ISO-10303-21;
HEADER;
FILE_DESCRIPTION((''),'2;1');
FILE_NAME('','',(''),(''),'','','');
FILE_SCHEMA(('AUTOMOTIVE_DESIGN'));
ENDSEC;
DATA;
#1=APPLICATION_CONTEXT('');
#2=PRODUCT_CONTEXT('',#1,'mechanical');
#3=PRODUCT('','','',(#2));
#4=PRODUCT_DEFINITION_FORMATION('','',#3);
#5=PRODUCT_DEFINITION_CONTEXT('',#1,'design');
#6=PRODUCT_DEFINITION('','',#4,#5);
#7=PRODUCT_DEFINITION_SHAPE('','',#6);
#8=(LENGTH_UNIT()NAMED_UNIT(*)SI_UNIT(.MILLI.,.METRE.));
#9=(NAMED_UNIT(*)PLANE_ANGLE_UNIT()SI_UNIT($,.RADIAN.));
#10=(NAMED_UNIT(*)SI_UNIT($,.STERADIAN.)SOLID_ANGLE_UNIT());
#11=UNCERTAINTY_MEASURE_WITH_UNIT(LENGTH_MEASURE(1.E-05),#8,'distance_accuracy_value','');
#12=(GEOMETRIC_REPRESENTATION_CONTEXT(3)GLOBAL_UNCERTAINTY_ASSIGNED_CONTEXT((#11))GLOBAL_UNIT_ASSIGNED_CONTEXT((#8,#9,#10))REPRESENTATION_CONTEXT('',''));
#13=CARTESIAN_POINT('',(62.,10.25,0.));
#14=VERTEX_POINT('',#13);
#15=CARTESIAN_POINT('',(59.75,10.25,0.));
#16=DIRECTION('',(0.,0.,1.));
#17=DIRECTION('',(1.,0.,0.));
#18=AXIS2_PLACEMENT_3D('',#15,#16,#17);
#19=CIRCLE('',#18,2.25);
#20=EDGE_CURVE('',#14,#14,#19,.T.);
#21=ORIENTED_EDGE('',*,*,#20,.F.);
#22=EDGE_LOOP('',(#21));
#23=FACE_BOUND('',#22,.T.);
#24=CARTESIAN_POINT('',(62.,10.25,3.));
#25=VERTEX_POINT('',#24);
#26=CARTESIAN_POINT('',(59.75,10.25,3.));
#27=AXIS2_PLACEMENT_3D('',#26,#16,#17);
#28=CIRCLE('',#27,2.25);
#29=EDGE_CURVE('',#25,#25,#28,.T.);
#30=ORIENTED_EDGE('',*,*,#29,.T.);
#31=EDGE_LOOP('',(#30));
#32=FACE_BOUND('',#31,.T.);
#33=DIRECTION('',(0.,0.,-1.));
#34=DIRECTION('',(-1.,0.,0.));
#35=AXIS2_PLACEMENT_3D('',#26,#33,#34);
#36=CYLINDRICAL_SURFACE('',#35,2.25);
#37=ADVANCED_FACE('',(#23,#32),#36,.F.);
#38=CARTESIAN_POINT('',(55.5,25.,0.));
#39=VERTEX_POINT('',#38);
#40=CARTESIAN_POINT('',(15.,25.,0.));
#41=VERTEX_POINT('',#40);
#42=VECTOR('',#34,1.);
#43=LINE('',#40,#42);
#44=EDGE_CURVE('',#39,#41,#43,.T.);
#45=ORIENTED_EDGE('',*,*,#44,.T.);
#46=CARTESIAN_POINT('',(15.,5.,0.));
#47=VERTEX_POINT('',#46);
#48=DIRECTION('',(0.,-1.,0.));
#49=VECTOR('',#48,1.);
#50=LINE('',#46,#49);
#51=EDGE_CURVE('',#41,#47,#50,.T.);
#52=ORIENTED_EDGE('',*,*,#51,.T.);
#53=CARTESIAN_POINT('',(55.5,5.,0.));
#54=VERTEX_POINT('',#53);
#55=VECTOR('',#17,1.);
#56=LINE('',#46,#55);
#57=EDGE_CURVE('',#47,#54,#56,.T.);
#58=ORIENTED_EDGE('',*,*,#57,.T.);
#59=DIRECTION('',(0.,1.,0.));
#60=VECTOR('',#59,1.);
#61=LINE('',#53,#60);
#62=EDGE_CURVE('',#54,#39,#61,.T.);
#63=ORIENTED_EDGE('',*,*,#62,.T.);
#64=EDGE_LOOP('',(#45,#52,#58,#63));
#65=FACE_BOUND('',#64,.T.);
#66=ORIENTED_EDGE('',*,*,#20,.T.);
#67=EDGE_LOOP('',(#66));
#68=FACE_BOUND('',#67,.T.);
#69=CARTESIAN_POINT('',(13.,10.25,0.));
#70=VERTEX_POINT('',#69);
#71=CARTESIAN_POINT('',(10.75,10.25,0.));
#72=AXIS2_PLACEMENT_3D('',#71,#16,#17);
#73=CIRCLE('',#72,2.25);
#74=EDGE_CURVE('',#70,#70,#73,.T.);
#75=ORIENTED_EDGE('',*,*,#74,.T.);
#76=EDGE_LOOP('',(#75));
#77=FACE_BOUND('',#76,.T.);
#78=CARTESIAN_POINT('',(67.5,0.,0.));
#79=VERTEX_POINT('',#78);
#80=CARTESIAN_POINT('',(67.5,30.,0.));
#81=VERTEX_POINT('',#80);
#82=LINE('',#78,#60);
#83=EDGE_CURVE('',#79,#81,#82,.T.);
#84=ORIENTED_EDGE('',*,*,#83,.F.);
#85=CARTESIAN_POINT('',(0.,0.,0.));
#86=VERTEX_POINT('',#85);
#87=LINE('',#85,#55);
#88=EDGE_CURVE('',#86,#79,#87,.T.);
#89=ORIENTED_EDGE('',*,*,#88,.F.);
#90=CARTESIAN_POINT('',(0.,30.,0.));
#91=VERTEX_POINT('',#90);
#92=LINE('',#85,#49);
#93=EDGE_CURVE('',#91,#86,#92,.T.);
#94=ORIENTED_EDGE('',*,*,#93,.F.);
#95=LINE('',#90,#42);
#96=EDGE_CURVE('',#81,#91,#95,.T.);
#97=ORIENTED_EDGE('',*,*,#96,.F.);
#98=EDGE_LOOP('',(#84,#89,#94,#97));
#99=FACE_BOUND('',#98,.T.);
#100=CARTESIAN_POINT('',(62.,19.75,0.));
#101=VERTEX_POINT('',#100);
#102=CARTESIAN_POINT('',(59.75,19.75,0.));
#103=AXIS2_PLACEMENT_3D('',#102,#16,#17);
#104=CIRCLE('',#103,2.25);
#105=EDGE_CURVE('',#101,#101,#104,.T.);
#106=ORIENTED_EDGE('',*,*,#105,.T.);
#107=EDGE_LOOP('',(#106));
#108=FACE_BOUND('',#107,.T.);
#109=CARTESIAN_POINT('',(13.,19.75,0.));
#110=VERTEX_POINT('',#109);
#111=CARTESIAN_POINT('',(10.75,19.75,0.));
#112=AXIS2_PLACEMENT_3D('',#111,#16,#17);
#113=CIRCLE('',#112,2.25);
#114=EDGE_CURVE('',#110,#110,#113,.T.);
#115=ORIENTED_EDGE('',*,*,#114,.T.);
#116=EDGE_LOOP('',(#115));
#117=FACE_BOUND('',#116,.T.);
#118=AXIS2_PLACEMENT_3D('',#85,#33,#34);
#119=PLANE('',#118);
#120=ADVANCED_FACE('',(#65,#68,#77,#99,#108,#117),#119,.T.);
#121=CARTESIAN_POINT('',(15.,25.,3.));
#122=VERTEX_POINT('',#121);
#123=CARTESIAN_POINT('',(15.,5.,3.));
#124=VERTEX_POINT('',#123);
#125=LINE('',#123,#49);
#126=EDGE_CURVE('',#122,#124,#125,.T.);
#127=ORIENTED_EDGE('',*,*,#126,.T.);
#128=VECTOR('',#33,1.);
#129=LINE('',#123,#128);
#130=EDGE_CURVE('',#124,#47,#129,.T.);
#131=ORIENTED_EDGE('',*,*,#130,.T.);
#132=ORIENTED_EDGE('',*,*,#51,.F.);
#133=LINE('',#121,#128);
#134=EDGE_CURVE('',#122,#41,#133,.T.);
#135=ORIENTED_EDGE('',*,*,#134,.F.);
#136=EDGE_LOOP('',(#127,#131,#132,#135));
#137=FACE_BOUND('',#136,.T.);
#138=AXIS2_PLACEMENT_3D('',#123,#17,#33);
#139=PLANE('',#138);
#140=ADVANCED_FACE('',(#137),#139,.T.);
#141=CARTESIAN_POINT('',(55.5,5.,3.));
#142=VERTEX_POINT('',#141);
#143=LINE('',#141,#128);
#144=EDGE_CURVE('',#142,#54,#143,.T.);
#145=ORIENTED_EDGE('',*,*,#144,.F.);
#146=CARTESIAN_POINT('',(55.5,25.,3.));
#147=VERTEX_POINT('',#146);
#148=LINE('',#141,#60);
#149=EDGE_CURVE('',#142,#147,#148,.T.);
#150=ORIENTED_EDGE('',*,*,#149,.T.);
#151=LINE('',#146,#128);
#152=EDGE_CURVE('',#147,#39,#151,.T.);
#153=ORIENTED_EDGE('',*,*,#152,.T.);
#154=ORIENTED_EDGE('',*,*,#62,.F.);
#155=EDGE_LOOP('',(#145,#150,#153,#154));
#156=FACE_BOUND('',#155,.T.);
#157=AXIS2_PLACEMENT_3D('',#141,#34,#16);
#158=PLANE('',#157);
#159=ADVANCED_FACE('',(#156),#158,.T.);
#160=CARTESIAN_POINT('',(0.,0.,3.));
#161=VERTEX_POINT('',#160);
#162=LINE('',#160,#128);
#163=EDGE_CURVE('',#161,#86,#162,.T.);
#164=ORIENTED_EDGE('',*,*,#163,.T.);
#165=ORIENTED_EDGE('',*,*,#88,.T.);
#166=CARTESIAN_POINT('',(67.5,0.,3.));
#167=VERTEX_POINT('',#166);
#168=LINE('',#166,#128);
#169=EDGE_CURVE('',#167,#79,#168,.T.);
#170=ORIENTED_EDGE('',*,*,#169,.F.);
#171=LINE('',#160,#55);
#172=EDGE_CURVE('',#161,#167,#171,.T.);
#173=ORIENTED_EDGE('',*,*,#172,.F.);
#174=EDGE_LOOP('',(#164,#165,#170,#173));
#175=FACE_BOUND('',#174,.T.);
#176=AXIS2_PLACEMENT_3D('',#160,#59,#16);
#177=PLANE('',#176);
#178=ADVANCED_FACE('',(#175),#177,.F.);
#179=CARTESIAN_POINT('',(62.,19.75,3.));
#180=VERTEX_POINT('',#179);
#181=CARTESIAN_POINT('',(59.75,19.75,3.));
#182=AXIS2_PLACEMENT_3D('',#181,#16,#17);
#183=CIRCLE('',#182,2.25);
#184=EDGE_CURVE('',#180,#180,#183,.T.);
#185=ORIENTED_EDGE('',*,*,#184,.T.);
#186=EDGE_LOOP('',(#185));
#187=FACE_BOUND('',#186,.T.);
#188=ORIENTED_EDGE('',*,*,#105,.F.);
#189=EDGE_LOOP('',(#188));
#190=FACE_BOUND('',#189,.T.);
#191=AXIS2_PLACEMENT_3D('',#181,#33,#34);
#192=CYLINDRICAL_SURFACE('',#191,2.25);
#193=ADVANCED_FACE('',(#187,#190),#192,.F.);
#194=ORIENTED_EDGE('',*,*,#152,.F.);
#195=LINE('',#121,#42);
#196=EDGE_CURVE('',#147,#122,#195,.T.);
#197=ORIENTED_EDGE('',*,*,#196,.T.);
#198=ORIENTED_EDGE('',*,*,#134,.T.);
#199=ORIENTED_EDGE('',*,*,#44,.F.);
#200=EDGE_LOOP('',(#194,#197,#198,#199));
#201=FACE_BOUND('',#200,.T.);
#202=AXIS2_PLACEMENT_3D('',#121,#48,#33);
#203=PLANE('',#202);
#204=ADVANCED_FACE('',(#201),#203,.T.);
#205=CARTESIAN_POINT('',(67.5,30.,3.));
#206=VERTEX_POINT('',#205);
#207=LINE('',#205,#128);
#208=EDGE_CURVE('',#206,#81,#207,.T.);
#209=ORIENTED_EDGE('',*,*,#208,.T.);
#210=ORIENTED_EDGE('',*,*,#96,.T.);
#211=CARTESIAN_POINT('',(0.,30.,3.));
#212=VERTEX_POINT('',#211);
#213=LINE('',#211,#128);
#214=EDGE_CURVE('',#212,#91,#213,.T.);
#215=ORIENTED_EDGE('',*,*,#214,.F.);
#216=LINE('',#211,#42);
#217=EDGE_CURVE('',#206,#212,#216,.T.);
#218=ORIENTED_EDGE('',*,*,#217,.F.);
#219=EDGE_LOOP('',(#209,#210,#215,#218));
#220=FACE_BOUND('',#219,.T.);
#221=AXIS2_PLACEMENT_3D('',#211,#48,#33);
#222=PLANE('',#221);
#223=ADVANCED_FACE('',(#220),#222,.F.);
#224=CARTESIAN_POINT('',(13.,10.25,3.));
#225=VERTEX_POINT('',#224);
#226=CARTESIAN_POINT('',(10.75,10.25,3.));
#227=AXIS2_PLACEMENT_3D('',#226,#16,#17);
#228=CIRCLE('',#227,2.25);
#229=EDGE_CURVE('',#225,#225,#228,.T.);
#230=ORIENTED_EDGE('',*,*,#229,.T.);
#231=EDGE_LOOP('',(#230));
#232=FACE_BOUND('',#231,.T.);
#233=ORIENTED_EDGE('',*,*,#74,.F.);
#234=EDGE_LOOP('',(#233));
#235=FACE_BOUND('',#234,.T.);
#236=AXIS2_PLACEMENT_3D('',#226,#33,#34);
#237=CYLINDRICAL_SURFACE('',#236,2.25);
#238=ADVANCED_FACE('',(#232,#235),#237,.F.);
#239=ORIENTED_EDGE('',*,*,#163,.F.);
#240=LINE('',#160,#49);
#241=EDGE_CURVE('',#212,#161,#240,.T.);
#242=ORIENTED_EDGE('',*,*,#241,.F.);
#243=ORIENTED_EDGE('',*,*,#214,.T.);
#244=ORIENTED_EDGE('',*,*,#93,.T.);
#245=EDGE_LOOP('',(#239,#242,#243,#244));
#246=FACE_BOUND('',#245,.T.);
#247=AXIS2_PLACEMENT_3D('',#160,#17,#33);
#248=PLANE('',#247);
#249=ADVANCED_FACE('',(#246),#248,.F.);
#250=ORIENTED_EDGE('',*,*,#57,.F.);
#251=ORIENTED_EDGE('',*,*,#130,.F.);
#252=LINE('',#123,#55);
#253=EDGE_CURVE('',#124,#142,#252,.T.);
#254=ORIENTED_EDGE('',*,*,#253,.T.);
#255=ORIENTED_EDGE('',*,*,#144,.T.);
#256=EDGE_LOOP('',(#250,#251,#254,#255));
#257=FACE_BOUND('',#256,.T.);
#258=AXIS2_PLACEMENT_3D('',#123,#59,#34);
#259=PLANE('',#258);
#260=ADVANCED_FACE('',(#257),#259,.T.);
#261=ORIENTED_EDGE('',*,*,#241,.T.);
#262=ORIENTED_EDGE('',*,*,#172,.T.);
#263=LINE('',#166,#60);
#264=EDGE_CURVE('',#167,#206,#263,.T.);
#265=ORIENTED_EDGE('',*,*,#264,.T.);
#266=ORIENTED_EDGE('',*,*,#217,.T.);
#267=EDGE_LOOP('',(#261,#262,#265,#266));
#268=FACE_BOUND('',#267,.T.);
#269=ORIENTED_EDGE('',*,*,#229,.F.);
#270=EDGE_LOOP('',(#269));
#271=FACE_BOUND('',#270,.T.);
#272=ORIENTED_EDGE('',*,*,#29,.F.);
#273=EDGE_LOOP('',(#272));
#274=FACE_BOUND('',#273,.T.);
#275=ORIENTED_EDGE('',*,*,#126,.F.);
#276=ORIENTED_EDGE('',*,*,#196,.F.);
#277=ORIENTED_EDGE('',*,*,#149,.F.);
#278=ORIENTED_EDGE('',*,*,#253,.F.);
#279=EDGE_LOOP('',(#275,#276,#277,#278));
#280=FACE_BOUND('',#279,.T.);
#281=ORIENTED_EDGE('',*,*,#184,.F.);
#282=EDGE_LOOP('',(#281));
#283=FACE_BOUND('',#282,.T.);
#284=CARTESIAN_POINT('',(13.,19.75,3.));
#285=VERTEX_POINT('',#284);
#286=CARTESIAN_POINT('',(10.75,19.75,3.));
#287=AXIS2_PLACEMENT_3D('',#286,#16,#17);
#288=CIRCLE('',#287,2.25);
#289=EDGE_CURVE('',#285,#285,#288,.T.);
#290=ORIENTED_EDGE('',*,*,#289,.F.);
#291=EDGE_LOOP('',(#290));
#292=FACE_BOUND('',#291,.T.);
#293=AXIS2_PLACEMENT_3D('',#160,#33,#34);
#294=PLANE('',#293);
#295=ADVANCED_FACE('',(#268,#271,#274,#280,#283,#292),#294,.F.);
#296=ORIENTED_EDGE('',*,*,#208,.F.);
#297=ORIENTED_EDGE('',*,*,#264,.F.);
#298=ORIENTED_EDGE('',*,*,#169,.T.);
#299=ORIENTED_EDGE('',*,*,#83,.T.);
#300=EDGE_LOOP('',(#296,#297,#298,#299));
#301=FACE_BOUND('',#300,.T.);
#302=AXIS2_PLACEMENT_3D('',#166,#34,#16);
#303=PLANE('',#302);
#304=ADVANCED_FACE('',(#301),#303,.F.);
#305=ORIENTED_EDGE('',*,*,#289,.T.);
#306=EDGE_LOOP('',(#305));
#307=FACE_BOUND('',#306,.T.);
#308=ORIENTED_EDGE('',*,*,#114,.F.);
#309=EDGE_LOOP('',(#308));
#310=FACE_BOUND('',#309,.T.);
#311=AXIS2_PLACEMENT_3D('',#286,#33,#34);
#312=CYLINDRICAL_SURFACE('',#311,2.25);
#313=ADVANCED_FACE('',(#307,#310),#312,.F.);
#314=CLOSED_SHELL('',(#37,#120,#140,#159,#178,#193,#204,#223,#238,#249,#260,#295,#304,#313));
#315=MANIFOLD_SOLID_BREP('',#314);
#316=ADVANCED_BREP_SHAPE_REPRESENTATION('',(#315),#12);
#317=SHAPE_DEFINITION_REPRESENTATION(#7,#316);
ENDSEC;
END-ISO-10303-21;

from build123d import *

# Parameters (mm, degrees)
SKETCH1_W           = 67.5
SKETCH1_H           = 30
SKETCH1_R           = 2.25
SKETCH1_W_2         = 40.5
SKETCH1_H_2         = 20
BOSS_EXTRUDE1_DEPTH = 3


with BuildPart() as part:
    # Sketch1 → Boss-Extrude1 (new body)
    with BuildSketch(Plane.XY):
        with Locations((33.75, 15)):
            Rectangle(SKETCH1_W, SKETCH1_H)
        with Locations((10.75, 19.75)):
            Circle(SKETCH1_R, mode=Mode.SUBTRACT)
        with Locations((10.75, 10.25)):
            Circle(SKETCH1_R, mode=Mode.SUBTRACT)
        with Locations((59.75, 19.75)):
            Circle(SKETCH1_R, mode=Mode.SUBTRACT)
        with Locations((59.75, 10.25)):
            Circle(SKETCH1_R, mode=Mode.SUBTRACT)
        with Locations((35.25, 15)):
            Rectangle(SKETCH1_W_2, SKETCH1_H_2, mode=Mode.SUBTRACT)
    extrude(amount=BOSS_EXTRUDE1_DEPTH)


solid = part.part
